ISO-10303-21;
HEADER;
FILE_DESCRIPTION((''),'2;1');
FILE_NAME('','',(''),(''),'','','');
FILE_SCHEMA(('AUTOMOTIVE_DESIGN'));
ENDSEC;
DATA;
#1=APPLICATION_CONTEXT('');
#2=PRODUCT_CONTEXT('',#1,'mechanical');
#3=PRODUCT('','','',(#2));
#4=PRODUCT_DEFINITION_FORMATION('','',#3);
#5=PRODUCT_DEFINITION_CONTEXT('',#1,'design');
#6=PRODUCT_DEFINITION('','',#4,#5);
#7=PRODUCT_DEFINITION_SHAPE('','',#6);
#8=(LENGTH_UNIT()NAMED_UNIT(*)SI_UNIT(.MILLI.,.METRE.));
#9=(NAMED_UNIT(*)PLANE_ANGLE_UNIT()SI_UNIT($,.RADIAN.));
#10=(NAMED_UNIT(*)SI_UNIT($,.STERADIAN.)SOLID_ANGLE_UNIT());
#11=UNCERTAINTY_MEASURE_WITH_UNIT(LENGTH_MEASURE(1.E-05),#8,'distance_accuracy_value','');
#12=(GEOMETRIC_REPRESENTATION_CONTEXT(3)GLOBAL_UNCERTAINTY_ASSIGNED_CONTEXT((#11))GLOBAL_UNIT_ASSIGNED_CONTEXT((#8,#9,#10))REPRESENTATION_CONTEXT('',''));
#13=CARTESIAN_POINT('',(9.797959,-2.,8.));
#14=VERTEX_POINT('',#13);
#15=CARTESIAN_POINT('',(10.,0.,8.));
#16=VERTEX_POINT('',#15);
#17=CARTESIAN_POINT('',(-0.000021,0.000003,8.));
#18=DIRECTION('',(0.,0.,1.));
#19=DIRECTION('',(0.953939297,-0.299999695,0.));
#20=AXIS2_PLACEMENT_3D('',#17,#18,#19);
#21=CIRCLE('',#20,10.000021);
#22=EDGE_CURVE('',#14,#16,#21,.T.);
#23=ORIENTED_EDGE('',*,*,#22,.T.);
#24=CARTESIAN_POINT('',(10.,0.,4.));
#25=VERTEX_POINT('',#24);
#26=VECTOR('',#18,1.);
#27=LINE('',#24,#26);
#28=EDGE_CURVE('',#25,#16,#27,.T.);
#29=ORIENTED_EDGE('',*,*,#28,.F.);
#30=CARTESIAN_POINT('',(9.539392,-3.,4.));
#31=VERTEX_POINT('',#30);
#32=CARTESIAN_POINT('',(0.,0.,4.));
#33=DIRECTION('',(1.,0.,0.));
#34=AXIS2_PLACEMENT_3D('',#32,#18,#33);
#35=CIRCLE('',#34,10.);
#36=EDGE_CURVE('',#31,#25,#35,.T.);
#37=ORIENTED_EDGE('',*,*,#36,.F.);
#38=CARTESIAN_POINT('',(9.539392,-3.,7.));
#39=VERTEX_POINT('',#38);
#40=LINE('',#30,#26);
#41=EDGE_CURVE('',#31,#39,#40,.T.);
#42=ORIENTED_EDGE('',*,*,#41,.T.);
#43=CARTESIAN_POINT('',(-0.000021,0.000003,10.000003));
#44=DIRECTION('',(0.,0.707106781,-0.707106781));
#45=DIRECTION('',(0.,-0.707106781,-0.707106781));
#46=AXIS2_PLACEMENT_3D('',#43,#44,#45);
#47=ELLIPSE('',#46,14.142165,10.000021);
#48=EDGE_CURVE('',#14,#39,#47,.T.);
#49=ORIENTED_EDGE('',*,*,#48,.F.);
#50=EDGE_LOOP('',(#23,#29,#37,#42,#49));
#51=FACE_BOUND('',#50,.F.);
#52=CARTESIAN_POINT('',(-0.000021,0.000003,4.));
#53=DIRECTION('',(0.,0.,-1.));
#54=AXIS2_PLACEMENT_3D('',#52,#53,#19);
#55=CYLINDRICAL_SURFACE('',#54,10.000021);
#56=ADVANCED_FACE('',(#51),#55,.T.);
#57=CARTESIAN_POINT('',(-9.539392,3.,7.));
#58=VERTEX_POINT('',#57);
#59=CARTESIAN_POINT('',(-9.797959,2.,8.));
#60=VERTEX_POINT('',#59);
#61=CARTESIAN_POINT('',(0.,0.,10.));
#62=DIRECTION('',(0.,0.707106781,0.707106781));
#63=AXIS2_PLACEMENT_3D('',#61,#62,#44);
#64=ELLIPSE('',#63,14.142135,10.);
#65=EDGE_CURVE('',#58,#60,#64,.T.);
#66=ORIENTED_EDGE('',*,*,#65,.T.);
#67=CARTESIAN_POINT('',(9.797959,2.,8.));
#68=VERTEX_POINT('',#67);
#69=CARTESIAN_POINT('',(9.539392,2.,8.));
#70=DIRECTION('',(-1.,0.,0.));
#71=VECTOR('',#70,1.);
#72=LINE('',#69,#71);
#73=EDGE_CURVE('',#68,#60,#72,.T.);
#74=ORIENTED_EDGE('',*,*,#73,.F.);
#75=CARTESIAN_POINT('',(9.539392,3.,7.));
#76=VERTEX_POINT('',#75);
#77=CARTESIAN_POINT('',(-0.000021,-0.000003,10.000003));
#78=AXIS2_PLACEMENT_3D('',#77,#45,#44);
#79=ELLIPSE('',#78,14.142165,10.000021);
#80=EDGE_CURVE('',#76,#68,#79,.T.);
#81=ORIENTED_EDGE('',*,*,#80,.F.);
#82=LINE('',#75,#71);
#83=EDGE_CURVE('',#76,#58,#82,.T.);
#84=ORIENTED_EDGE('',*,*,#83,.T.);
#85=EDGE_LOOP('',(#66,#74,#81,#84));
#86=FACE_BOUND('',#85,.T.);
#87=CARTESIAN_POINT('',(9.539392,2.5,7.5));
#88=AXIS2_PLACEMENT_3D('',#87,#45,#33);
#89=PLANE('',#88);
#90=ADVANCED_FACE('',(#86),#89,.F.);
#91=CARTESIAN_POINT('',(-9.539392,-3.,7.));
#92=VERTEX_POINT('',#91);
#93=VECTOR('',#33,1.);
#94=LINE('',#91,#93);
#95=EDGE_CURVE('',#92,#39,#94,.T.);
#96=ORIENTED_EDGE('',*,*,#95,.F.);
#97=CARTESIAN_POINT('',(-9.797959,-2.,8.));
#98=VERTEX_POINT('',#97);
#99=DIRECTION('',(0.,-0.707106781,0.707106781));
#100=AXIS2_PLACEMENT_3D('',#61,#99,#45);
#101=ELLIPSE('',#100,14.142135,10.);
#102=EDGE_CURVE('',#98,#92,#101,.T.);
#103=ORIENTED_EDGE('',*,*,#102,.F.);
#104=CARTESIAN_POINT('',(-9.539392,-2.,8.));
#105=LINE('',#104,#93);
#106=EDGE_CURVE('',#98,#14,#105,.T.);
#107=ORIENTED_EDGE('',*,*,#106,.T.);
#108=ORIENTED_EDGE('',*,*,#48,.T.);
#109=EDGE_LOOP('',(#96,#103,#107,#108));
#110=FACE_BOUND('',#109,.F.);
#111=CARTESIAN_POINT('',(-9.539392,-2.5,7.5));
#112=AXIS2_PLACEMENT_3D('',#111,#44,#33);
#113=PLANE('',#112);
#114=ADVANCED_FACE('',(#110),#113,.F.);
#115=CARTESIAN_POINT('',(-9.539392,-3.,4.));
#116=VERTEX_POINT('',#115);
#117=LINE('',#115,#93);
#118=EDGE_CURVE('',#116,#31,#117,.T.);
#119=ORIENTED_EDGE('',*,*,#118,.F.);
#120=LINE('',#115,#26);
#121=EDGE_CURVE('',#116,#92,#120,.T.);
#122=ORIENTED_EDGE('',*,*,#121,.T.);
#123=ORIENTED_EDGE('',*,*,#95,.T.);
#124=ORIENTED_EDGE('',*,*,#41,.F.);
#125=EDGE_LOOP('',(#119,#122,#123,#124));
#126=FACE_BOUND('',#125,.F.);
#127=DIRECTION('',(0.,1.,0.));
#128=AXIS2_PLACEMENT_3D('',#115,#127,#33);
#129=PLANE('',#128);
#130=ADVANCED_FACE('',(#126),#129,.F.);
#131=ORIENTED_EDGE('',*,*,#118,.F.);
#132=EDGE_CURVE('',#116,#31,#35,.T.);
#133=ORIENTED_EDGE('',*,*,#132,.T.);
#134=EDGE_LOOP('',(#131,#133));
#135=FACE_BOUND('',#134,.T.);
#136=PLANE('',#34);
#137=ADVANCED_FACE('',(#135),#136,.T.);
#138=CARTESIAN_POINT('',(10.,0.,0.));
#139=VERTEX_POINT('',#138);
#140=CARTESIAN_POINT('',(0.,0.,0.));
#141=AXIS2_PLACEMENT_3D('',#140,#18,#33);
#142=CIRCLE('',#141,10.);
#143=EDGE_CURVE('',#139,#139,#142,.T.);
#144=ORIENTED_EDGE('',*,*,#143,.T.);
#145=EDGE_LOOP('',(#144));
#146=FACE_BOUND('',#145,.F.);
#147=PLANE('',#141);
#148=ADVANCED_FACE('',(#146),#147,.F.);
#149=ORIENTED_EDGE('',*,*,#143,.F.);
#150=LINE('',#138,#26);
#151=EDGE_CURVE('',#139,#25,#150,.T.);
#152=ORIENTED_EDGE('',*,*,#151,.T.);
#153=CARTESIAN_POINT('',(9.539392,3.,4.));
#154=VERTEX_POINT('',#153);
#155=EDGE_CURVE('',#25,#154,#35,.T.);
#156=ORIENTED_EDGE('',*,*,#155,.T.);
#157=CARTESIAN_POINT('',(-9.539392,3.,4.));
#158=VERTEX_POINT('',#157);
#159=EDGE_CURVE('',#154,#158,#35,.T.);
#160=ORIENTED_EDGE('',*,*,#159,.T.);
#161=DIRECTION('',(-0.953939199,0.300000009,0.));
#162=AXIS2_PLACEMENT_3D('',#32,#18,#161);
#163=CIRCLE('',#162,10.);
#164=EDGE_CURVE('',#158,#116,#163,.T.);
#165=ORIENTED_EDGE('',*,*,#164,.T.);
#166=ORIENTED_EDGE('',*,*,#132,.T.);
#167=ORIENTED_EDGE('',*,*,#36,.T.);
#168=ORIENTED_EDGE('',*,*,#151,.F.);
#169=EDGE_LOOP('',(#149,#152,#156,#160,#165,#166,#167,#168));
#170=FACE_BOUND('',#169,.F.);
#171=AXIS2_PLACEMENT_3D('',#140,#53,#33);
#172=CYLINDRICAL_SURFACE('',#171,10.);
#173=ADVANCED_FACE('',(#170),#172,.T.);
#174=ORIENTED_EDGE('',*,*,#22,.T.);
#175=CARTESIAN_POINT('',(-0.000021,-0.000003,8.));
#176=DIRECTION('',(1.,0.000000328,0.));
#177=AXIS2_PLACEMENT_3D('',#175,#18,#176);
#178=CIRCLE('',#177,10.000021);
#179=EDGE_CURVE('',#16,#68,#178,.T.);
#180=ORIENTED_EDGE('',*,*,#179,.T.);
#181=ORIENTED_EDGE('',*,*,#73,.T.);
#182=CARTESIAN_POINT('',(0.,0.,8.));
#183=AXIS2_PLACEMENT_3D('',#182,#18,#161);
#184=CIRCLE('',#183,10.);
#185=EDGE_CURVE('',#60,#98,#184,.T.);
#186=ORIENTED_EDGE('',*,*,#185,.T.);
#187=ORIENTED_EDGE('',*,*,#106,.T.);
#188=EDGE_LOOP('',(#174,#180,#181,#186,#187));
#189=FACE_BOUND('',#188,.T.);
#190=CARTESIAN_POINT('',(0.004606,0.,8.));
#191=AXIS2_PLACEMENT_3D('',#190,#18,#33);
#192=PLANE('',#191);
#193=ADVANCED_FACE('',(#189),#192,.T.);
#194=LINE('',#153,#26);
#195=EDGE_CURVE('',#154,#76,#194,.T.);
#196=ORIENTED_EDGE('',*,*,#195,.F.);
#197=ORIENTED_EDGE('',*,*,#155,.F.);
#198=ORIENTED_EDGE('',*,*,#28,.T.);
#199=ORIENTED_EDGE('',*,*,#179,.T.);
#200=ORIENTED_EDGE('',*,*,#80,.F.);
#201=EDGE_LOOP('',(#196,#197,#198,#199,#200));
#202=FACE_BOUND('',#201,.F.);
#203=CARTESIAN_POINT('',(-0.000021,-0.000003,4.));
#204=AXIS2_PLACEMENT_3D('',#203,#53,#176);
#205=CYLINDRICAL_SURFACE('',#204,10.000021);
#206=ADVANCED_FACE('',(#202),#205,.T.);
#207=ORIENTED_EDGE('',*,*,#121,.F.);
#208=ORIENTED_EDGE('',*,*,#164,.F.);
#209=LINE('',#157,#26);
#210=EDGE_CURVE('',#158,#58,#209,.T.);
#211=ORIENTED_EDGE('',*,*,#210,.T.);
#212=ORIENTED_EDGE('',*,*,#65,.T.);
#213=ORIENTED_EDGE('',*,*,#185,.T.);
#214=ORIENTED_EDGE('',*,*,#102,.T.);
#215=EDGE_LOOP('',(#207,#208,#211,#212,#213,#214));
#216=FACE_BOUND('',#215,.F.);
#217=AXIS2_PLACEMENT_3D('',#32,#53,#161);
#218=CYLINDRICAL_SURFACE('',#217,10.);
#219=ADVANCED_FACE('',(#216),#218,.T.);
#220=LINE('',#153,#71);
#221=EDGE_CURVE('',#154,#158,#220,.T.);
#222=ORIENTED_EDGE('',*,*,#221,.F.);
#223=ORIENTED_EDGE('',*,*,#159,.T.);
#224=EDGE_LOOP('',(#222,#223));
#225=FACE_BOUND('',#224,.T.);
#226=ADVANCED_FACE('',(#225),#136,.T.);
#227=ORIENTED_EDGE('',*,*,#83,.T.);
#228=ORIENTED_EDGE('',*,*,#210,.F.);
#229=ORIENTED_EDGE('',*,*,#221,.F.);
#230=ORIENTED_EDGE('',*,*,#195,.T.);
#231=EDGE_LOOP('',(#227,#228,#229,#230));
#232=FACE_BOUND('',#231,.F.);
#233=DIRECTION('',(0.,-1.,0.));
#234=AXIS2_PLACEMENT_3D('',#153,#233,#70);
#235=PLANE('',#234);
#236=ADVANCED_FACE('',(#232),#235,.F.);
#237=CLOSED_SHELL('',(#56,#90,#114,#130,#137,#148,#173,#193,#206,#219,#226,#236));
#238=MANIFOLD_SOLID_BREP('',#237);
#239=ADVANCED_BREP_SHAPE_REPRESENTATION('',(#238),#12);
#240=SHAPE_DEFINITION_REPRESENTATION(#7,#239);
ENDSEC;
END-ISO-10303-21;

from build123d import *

# Parameters (mm, degrees)
F0_R     = 10
F1_DEPTH = 4
F3_DEPTH = 4
F4_SIZE  = 1


with BuildPart() as f1:
    # F0 (on Top) → F1 (new body)
    with BuildSketch(Plane.XY):
        Circle(F0_R)
    extrude(amount=F1_DEPTH)

    # F2 (on face) → F3 (join)
    with BuildSketch(Plane.XY.offset(4)):
        with BuildLine():
            Line((9.539392, 3), (-9.539392, 3))
            ThreePointArc((-9.539392, 3), (-10, 0), (-9.539392, -3))
            Line((-9.539392, -3), (9.539392, -3))
            ThreePointArc((9.539392, -3), (9.884177, -1.517577), (10, 0))
            ThreePointArc((10, 0), (9.884177, 1.517577), (9.539392, 3))
        make_face()
    extrude(amount=F3_DEPTH)

    # F4
    f4_edges = [f1.edges().sort_by_distance(p)[0] for p in [
        (0, -3, 8),
        (0, 3, 8),
    ]]
    chamfer(f4_edges, length=F4_SIZE)


solid = f1.part
